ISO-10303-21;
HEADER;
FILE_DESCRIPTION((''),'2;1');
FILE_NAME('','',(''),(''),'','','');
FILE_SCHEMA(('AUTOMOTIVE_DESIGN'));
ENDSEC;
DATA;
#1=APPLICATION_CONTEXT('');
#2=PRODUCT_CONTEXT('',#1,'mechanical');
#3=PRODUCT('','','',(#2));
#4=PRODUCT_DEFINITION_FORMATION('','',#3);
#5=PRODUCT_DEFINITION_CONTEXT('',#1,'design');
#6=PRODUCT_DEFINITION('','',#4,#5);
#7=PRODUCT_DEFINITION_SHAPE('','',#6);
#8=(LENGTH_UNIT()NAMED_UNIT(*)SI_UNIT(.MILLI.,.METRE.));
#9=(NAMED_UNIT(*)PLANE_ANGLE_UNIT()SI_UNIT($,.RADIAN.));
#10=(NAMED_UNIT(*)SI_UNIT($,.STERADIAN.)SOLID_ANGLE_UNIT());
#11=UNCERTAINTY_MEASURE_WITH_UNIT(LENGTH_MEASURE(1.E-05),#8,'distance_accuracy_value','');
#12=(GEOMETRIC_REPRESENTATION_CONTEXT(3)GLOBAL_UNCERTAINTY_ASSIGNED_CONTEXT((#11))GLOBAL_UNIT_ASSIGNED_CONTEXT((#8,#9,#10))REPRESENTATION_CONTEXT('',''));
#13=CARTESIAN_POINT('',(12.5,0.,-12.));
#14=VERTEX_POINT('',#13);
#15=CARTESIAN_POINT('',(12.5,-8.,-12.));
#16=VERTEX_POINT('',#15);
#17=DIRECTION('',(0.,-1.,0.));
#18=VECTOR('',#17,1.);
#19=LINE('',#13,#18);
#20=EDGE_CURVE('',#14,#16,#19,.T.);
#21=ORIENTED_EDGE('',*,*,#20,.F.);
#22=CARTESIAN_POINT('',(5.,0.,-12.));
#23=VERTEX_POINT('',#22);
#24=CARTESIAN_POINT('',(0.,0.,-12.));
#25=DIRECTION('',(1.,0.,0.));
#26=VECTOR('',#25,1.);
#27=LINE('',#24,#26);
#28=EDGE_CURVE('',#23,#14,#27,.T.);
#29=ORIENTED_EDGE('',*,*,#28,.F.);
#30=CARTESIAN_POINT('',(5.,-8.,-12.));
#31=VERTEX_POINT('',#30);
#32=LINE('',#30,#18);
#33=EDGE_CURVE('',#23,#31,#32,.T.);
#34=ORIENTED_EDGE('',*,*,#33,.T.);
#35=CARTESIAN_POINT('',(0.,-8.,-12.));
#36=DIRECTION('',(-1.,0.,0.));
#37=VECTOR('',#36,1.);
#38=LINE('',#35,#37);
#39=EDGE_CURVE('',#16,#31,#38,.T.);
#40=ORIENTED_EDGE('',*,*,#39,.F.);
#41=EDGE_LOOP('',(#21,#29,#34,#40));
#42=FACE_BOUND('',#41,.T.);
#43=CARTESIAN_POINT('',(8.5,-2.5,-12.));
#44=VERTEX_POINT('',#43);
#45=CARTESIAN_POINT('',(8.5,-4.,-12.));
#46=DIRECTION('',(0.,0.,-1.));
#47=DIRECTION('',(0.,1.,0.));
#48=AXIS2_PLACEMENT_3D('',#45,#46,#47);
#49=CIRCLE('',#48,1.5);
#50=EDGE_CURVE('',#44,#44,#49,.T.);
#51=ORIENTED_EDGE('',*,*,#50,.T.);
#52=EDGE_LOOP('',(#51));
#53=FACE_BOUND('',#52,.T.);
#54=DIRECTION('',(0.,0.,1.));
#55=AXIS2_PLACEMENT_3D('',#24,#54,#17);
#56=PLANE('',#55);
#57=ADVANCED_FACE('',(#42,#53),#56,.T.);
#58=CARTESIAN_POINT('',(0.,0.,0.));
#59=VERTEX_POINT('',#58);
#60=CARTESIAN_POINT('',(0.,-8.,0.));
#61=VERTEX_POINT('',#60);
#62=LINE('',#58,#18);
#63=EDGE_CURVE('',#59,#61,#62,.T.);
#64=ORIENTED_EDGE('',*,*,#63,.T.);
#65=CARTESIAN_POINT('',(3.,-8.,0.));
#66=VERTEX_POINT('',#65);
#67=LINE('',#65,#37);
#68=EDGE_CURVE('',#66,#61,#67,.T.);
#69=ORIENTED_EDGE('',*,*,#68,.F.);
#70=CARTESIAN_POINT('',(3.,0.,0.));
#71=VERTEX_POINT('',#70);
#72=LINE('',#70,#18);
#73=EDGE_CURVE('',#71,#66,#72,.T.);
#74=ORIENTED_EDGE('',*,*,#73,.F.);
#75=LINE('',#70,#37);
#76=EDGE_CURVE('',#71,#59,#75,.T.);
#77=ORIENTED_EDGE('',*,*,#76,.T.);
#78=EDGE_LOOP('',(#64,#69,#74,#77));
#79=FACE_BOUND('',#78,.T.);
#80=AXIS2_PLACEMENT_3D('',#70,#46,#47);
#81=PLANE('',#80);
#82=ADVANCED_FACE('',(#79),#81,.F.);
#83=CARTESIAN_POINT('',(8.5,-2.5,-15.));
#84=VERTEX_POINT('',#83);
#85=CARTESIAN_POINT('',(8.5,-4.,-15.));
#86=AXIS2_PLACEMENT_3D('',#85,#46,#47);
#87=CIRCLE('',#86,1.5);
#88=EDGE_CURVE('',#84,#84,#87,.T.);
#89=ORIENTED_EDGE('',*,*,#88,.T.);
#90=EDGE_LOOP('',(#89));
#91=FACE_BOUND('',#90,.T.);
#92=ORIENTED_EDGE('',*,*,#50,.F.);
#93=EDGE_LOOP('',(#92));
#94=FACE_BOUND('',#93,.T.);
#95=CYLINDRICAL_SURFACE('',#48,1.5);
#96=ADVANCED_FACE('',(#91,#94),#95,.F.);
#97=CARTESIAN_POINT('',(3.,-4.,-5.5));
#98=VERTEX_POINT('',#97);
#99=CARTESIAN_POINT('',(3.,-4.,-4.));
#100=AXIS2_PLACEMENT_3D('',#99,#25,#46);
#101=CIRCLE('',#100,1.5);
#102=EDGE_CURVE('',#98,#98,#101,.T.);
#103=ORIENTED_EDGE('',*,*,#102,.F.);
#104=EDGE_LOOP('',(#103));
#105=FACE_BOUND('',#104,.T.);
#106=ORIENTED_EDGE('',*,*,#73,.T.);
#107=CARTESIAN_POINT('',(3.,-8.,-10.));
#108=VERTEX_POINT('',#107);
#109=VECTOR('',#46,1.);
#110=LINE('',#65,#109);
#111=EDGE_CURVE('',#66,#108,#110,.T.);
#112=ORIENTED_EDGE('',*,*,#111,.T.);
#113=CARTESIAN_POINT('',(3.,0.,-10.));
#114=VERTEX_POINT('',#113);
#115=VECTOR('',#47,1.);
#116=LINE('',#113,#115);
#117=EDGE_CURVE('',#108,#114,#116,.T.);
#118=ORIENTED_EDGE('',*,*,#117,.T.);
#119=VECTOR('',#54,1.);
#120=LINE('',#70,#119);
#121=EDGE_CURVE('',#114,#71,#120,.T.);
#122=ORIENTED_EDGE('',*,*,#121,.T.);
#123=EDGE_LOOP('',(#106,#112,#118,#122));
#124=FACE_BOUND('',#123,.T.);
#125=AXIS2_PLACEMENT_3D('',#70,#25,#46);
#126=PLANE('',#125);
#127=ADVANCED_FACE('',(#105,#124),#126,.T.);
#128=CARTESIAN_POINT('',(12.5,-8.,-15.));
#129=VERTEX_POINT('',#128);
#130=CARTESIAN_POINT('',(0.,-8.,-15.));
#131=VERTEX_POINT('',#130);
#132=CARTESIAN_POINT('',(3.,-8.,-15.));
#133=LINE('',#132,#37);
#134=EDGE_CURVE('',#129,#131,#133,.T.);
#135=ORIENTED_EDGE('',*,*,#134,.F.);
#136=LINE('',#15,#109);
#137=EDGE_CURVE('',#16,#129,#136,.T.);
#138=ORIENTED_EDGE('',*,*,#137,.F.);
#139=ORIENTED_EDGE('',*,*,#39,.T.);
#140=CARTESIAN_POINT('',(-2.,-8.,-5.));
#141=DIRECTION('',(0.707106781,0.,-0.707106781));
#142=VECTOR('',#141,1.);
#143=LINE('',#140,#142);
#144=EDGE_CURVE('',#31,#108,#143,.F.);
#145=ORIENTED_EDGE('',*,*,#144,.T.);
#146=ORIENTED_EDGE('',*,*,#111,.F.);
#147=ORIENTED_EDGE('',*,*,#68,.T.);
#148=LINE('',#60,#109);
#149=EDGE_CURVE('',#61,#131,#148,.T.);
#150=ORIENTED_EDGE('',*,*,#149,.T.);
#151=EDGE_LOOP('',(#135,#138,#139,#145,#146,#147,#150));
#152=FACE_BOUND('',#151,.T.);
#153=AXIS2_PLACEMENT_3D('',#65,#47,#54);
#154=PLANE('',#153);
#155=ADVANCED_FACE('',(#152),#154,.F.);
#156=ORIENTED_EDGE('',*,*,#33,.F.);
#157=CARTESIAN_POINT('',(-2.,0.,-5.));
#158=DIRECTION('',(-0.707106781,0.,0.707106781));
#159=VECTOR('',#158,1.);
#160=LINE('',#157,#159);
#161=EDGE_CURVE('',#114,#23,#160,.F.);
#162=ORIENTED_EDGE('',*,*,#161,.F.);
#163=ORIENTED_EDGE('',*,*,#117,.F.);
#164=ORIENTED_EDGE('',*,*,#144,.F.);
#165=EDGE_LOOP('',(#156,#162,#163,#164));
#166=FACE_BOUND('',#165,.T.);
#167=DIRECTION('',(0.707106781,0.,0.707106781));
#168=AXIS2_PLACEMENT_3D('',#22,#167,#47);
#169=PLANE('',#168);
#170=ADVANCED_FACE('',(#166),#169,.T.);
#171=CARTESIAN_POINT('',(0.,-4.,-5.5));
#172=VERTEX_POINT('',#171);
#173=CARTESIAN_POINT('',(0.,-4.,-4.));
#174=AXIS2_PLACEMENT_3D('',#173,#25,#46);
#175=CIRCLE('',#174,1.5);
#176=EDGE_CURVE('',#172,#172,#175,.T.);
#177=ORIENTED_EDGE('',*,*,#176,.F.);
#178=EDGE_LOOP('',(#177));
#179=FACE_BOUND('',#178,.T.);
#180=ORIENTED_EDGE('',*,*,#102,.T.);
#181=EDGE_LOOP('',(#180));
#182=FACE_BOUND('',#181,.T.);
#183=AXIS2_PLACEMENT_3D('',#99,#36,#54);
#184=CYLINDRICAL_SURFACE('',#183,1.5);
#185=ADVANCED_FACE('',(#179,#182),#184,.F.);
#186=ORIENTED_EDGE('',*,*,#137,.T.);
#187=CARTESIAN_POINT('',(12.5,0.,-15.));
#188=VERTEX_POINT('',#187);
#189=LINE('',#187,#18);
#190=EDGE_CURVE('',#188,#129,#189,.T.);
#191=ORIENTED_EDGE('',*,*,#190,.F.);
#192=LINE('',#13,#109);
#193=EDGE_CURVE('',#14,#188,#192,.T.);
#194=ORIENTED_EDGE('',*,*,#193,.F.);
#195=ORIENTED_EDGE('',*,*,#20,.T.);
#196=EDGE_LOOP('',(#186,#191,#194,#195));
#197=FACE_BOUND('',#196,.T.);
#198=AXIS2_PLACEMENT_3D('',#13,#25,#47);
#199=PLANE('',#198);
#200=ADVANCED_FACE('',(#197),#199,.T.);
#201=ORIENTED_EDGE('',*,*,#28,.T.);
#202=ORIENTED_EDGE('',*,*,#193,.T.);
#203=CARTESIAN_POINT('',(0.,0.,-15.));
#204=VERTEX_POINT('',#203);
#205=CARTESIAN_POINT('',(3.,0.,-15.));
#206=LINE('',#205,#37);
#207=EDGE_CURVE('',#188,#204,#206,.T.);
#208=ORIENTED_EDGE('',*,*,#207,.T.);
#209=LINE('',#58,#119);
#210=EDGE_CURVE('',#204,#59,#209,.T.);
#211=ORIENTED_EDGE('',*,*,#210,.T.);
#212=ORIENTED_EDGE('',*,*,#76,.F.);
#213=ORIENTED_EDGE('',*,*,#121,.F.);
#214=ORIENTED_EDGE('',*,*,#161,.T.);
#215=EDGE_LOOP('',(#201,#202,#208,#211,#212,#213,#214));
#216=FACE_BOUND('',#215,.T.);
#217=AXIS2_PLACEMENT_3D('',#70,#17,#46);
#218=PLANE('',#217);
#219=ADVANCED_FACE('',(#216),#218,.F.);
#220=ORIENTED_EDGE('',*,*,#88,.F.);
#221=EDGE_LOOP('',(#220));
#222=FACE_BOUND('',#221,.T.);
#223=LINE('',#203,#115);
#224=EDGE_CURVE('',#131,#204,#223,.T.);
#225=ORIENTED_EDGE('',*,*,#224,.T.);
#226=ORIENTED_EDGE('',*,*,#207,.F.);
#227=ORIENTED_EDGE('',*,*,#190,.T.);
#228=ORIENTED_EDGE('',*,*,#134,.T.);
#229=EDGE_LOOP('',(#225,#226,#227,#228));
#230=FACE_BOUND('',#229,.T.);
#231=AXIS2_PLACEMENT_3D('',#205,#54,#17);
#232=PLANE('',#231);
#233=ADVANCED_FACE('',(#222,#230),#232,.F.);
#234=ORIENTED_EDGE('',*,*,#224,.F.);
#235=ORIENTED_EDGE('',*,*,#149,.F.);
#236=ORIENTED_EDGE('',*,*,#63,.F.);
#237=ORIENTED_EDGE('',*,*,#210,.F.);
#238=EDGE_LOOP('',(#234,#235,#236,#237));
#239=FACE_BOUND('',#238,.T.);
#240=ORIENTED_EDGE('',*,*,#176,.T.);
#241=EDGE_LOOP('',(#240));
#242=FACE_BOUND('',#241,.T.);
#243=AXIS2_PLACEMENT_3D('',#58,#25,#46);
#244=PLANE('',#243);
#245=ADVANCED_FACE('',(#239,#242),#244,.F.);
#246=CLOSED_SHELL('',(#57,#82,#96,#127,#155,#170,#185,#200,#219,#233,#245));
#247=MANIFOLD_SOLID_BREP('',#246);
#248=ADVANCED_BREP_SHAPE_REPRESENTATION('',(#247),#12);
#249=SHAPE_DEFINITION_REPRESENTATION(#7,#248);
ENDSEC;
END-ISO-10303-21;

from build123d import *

# Parameters (mm, degrees)
SKETCH1_W           = 15
SKETCH1_H           = 8
SKETCH1_R           = 1.5
BOSS_EXTRUDE1_DEPTH = 3
SKETCH2_W           = 12.5
SKETCH2_H           = 8
SKETCH2_R           = 1.5
BOSS_EXTRUDE2_DEPTH = 3
CHAMFER1_SIZE       = 2


with BuildPart() as part:
    # Sketch1 → Boss-Extrude1 (new body)
    with BuildSketch(Plane(origin=(0, 0, 0), x_dir=(0, 0, -1), z_dir=(1, 0, 0))):
        with Locations((7.5, -4)):
            Rectangle(SKETCH1_W, SKETCH1_H)
        with Locations((4, -4)):
            Circle(SKETCH1_R, mode=Mode.SUBTRACT)
    extrude(amount=BOSS_EXTRUDE1_DEPTH)

    # Sketch2 → Boss-Extrude2 (add)
    with BuildSketch(Plane(origin=(0, 0, -15), x_dir=(-1, 0, 0), z_dir=(0, 0, -1))):
        with Locations((-6.25, -4)):
            Rectangle(SKETCH2_W, SKETCH2_H)
        with Locations(Location((-8.5, -4, 0), (0, 0, 90))):
            Circle(SKETCH2_R, mode=Mode.SUBTRACT)
    extrude(amount=-BOSS_EXTRUDE2_DEPTH)

    # Chamfer1
    chamfer1_edges = [part.edges().sort_by_distance(p)[0] for p in [
        (3, -4, -12),
    ]]
    chamfer(chamfer1_edges, length=CHAMFER1_SIZE)


solid = part.part
